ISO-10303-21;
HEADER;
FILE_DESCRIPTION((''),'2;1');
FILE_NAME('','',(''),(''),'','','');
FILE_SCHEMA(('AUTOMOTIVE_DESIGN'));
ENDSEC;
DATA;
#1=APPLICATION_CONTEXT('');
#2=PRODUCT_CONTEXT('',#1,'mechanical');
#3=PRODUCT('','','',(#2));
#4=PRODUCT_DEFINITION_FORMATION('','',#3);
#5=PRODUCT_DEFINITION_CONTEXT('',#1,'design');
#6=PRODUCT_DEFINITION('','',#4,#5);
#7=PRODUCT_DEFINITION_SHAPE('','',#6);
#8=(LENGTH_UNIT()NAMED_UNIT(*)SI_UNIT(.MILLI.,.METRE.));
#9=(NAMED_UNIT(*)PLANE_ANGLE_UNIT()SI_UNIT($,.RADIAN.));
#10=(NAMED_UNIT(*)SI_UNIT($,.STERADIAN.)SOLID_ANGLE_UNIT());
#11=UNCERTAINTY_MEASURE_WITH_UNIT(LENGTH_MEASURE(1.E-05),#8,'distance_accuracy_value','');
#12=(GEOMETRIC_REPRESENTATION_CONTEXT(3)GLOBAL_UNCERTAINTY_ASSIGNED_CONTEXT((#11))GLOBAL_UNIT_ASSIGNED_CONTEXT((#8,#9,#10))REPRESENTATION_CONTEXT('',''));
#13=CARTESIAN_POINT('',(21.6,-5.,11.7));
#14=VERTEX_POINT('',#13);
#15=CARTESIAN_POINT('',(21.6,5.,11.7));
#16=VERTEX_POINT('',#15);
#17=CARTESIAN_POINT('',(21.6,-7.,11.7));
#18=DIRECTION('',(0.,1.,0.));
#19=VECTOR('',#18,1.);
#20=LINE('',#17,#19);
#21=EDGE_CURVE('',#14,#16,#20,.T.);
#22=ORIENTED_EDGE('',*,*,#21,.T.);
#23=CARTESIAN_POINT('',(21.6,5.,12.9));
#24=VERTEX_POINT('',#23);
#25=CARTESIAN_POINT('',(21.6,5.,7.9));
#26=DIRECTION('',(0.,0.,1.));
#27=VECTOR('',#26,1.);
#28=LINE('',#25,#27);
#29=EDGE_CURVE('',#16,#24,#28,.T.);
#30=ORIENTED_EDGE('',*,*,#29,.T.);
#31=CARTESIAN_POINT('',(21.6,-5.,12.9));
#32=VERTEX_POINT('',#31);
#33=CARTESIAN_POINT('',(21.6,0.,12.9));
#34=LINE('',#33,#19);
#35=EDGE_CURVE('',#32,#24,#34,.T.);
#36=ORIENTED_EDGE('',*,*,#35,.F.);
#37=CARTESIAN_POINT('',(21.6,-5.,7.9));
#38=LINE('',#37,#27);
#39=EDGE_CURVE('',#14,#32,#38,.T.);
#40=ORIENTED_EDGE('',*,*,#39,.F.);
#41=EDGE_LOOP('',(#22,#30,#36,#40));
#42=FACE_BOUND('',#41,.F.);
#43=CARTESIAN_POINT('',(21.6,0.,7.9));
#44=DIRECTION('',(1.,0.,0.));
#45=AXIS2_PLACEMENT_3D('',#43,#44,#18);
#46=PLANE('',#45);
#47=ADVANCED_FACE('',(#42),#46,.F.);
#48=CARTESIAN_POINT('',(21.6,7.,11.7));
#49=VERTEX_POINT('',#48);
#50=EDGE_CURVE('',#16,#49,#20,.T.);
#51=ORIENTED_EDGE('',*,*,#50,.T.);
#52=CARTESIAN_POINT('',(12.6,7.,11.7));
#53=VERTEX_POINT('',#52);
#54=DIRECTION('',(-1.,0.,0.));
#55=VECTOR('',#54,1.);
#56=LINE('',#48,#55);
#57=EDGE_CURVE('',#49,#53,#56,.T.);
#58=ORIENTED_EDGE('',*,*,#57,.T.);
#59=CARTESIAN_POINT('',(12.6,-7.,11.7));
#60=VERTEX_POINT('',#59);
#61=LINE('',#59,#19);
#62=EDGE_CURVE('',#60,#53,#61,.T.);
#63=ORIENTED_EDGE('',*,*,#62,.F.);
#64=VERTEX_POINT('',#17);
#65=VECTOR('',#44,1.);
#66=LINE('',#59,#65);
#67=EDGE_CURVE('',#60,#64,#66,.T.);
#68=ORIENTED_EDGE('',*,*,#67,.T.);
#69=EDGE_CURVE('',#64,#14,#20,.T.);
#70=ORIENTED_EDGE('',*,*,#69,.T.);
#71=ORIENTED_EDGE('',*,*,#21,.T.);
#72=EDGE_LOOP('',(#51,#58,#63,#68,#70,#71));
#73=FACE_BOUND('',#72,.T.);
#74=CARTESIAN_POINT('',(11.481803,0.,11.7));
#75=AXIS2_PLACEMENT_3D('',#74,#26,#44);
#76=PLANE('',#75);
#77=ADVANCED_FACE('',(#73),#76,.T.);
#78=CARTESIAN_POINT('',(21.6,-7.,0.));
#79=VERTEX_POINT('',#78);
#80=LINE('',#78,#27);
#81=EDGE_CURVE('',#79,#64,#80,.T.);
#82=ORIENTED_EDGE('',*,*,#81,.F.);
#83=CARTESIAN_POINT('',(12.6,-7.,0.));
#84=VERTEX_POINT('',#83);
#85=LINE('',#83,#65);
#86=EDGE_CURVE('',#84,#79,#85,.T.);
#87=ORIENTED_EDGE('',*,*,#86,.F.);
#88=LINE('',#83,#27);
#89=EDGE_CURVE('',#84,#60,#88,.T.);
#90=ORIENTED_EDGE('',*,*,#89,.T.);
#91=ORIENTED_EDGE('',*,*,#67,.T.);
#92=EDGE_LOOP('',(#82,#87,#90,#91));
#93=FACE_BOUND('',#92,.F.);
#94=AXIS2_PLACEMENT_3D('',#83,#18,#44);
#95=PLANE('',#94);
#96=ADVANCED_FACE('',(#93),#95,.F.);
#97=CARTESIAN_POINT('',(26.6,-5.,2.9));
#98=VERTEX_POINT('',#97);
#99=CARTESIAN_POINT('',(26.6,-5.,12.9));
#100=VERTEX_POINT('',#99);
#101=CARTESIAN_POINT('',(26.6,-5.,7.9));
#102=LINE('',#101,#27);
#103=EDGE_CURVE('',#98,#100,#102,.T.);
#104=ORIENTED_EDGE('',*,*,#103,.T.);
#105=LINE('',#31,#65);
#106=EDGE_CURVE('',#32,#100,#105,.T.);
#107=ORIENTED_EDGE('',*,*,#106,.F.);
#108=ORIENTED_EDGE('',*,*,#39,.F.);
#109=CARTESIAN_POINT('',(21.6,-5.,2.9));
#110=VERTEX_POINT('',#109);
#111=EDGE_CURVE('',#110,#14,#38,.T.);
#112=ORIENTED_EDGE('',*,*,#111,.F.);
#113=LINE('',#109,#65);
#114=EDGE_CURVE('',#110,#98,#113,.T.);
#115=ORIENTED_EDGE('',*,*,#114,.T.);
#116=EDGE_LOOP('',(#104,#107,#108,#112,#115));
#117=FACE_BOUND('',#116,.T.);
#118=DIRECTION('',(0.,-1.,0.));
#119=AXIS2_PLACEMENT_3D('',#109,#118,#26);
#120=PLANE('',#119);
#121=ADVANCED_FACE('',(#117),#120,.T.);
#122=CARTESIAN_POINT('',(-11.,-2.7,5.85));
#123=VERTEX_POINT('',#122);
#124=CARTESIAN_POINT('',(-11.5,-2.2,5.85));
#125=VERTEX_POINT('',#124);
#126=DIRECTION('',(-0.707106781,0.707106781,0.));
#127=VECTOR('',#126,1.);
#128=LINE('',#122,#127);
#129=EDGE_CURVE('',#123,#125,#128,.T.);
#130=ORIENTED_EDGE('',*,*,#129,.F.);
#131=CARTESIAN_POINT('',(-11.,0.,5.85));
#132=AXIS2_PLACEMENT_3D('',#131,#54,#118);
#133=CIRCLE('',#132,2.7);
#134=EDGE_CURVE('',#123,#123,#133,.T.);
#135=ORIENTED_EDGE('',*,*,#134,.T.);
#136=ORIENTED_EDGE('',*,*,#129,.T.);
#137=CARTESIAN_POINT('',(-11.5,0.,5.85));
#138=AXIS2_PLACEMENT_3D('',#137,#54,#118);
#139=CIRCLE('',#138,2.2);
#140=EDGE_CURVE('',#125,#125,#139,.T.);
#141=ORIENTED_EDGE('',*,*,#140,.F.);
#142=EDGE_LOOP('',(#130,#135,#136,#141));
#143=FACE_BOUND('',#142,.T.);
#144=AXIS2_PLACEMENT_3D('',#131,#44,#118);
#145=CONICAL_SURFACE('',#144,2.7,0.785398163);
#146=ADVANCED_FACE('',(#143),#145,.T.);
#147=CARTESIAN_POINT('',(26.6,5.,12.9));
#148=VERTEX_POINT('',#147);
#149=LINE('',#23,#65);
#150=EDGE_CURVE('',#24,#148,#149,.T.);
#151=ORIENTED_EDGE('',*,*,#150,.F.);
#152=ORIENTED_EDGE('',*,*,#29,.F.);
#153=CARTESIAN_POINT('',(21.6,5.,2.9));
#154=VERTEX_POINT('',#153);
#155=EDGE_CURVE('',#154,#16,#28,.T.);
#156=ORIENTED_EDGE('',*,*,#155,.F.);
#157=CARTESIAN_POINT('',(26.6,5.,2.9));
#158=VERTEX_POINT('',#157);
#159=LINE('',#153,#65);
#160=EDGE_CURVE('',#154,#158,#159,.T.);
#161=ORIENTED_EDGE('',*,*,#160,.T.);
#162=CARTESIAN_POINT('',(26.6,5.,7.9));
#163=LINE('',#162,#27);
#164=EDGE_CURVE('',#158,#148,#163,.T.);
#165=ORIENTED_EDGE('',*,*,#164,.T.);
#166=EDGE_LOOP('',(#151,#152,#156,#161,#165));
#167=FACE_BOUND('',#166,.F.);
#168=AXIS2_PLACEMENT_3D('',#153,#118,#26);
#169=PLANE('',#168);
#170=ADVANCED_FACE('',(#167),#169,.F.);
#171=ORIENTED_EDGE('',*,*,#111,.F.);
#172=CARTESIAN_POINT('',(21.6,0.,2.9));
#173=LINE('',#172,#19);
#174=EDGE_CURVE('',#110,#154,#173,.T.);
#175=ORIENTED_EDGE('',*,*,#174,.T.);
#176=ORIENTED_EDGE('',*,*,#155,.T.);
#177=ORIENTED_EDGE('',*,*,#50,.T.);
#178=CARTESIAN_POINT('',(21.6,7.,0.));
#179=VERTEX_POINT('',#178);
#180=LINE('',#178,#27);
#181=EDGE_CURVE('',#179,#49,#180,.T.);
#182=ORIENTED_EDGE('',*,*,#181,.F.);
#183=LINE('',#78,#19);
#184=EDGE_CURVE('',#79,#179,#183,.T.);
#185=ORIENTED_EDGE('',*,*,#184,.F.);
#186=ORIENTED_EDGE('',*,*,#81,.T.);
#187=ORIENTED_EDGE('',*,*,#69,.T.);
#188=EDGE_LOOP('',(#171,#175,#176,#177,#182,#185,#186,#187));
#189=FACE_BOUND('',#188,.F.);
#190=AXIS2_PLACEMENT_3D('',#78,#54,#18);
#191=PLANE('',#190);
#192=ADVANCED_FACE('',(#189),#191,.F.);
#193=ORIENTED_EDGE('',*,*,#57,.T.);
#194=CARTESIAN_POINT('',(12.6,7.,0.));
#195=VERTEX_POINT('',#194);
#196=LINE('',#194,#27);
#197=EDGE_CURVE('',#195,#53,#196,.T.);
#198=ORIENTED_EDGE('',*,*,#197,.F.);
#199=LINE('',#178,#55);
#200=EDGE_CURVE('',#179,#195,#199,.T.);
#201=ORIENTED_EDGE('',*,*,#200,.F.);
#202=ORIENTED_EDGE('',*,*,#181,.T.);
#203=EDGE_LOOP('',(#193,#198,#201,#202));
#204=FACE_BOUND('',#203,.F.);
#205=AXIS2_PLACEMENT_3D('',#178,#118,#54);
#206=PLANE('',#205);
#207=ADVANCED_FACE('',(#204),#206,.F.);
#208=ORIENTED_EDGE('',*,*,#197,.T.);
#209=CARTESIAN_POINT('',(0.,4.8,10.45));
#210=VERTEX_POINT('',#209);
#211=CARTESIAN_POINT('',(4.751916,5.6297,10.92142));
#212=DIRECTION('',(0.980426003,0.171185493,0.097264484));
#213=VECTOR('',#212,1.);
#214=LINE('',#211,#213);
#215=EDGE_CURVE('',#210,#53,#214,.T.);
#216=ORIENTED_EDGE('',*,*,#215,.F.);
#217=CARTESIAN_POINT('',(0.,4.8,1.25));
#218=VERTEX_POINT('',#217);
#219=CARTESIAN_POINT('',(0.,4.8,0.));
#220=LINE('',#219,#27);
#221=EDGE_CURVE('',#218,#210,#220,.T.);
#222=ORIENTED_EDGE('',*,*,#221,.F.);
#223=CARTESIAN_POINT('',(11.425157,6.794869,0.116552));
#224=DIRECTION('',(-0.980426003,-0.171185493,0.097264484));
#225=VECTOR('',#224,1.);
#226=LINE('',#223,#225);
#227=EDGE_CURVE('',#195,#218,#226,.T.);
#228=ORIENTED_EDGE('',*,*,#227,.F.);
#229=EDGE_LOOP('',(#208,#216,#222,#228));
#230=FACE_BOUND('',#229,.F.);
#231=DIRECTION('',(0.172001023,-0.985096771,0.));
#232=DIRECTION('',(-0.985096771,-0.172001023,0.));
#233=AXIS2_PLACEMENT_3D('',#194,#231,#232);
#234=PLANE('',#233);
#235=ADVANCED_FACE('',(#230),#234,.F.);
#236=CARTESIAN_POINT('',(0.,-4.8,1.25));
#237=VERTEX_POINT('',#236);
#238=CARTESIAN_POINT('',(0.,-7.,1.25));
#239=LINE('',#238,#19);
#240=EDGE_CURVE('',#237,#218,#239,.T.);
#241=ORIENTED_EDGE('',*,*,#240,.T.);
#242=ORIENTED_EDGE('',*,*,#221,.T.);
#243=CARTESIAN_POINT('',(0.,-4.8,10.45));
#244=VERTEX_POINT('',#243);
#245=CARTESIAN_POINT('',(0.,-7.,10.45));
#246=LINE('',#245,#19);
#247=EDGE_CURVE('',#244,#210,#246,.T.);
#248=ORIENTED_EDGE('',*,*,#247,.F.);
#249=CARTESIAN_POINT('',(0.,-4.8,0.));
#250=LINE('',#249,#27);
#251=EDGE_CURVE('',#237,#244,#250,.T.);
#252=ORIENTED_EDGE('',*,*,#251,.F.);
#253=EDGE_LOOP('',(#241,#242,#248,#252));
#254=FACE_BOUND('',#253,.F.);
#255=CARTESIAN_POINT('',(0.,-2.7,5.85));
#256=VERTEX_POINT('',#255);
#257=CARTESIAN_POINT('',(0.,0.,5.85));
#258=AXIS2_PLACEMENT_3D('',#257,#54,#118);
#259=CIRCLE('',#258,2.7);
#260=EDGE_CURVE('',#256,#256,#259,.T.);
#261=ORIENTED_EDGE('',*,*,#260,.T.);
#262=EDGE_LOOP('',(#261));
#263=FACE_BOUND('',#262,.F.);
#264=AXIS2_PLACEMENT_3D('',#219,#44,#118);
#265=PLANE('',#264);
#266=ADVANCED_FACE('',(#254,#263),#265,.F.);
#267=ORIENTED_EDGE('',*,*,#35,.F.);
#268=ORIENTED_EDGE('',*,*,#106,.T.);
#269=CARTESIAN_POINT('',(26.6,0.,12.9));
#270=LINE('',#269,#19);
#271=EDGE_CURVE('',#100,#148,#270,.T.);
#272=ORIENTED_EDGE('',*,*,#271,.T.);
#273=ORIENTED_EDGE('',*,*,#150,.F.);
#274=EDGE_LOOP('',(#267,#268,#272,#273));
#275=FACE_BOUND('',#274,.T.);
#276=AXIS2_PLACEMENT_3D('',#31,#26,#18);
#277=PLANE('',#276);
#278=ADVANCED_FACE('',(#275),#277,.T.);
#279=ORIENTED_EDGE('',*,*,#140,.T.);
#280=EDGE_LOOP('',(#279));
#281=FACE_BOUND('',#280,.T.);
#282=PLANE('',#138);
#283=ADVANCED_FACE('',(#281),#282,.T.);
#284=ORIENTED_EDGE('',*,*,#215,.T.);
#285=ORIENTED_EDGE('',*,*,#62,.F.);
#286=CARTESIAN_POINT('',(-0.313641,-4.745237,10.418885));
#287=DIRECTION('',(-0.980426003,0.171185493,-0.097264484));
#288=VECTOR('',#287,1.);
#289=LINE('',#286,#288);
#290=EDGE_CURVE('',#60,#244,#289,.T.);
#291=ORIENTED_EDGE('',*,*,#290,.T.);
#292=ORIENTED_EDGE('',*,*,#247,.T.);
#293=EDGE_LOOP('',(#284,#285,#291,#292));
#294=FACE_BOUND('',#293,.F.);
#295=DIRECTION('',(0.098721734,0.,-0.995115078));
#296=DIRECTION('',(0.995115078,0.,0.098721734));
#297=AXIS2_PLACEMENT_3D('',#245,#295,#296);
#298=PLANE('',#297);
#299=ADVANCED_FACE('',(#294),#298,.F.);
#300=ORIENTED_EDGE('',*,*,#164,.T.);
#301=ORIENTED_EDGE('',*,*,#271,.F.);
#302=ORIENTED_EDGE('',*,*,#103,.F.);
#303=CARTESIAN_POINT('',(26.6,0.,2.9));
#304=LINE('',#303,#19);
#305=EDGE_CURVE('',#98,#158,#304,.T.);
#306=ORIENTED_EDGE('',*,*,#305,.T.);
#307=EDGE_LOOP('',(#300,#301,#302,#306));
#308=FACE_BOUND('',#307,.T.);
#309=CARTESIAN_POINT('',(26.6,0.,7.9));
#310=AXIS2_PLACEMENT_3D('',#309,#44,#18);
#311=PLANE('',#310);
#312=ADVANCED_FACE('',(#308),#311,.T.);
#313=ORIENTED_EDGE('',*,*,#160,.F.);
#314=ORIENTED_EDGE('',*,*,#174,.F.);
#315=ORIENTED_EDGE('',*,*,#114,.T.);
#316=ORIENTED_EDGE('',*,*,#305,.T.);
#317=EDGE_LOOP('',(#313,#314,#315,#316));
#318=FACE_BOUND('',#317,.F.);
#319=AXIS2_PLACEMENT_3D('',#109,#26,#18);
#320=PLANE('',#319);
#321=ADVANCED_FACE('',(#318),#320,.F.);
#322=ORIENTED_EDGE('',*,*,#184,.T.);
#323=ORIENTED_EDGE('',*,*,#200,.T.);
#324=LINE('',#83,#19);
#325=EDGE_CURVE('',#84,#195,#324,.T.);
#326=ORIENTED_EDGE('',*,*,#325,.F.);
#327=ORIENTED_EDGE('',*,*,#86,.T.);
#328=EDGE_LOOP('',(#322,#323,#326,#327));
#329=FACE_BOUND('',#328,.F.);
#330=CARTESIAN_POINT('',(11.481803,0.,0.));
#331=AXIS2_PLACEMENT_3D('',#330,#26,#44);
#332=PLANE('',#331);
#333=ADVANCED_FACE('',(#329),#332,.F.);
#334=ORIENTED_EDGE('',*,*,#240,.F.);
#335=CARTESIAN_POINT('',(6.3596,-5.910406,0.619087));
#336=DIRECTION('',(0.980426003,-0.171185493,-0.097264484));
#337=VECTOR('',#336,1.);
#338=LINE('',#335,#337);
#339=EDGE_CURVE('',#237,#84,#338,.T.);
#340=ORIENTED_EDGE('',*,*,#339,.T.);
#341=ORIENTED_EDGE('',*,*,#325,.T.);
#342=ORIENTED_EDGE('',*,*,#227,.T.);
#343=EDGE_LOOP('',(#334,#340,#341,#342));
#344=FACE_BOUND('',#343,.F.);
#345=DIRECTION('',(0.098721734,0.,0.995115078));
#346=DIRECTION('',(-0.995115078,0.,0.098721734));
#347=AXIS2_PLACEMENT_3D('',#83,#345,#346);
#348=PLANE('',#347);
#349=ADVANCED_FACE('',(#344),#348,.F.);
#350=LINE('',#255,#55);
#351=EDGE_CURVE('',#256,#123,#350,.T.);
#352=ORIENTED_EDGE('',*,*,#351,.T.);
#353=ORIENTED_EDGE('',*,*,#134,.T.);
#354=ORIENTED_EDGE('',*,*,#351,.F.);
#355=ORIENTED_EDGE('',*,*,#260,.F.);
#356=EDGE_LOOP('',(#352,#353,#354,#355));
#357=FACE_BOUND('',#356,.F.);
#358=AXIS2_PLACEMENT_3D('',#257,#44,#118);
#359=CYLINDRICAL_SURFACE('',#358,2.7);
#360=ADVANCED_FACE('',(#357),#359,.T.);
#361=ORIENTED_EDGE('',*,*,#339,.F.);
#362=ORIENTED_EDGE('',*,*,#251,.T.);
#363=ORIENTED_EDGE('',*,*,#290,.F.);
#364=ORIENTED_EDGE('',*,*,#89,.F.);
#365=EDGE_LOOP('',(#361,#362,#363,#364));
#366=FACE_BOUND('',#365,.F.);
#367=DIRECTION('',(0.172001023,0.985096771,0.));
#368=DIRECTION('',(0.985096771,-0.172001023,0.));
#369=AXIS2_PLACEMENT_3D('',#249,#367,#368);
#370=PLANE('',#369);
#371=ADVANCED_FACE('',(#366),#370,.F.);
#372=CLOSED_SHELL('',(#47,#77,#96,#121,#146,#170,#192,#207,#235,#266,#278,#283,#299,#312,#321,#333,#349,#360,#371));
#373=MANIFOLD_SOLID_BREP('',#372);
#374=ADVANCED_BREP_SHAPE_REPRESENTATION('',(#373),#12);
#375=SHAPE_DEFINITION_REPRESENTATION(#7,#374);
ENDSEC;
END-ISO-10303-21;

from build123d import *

# Parameters (mm, degrees)
F1_DEPTH = 11.7
F3_DEPTH = 14
F4_R     = 2.7
F5_DEPTH = 11.5
F6_SIZE  = 0.5
F7_W     = 10
F7_H     = 10
F8_DEPTH = 5


with BuildPart() as f1:
    # F0 (on Top) → F1 (new body)
    with BuildSketch(Plane.XY):
        Polygon((0, 4.8), (0, 0), (0, -4.8), (12.6, -7), (21.6, -7), (21.6, 0), (21.6, 7), (12.6, 7), align=None)
    extrude(amount=F1_DEPTH)

    # F2 (on face) → F3 (cut, through all)
    with BuildSketch(Plane.XZ.offset(7)):
        Polygon((0, 10.45), (12.6, 11.7), (0, 11.7), align=None)
        Polygon((0, 0), (12.6, 0), (0, 1.25), align=None)
    extrude(amount=-F3_DEPTH, mode=Mode.SUBTRACT)

    # F4 (on face) → F5 (join)
    with BuildSketch(Plane(origin=(0, 0, 0), x_dir=(0, -1, 0), z_dir=(-1, 0, 0))):
        with Locations((0, 5.85)):
            Circle(F4_R)
    extrude(amount=F5_DEPTH)

    # F6
    f6_edges = [f1.edges().sort_by_distance(p)[0] for p in [
        (-11.5, 2.7, 5.85),
    ]]
    chamfer(f6_edges, length=F6_SIZE)

    # F7 (on face) → F8 (join)
    with BuildSketch(Plane.YZ.offset(21.6)):
        with Locations((0, 7.9)):
            Rectangle(F7_W, F7_H)
    extrude(amount=F8_DEPTH)


solid = f1.part
